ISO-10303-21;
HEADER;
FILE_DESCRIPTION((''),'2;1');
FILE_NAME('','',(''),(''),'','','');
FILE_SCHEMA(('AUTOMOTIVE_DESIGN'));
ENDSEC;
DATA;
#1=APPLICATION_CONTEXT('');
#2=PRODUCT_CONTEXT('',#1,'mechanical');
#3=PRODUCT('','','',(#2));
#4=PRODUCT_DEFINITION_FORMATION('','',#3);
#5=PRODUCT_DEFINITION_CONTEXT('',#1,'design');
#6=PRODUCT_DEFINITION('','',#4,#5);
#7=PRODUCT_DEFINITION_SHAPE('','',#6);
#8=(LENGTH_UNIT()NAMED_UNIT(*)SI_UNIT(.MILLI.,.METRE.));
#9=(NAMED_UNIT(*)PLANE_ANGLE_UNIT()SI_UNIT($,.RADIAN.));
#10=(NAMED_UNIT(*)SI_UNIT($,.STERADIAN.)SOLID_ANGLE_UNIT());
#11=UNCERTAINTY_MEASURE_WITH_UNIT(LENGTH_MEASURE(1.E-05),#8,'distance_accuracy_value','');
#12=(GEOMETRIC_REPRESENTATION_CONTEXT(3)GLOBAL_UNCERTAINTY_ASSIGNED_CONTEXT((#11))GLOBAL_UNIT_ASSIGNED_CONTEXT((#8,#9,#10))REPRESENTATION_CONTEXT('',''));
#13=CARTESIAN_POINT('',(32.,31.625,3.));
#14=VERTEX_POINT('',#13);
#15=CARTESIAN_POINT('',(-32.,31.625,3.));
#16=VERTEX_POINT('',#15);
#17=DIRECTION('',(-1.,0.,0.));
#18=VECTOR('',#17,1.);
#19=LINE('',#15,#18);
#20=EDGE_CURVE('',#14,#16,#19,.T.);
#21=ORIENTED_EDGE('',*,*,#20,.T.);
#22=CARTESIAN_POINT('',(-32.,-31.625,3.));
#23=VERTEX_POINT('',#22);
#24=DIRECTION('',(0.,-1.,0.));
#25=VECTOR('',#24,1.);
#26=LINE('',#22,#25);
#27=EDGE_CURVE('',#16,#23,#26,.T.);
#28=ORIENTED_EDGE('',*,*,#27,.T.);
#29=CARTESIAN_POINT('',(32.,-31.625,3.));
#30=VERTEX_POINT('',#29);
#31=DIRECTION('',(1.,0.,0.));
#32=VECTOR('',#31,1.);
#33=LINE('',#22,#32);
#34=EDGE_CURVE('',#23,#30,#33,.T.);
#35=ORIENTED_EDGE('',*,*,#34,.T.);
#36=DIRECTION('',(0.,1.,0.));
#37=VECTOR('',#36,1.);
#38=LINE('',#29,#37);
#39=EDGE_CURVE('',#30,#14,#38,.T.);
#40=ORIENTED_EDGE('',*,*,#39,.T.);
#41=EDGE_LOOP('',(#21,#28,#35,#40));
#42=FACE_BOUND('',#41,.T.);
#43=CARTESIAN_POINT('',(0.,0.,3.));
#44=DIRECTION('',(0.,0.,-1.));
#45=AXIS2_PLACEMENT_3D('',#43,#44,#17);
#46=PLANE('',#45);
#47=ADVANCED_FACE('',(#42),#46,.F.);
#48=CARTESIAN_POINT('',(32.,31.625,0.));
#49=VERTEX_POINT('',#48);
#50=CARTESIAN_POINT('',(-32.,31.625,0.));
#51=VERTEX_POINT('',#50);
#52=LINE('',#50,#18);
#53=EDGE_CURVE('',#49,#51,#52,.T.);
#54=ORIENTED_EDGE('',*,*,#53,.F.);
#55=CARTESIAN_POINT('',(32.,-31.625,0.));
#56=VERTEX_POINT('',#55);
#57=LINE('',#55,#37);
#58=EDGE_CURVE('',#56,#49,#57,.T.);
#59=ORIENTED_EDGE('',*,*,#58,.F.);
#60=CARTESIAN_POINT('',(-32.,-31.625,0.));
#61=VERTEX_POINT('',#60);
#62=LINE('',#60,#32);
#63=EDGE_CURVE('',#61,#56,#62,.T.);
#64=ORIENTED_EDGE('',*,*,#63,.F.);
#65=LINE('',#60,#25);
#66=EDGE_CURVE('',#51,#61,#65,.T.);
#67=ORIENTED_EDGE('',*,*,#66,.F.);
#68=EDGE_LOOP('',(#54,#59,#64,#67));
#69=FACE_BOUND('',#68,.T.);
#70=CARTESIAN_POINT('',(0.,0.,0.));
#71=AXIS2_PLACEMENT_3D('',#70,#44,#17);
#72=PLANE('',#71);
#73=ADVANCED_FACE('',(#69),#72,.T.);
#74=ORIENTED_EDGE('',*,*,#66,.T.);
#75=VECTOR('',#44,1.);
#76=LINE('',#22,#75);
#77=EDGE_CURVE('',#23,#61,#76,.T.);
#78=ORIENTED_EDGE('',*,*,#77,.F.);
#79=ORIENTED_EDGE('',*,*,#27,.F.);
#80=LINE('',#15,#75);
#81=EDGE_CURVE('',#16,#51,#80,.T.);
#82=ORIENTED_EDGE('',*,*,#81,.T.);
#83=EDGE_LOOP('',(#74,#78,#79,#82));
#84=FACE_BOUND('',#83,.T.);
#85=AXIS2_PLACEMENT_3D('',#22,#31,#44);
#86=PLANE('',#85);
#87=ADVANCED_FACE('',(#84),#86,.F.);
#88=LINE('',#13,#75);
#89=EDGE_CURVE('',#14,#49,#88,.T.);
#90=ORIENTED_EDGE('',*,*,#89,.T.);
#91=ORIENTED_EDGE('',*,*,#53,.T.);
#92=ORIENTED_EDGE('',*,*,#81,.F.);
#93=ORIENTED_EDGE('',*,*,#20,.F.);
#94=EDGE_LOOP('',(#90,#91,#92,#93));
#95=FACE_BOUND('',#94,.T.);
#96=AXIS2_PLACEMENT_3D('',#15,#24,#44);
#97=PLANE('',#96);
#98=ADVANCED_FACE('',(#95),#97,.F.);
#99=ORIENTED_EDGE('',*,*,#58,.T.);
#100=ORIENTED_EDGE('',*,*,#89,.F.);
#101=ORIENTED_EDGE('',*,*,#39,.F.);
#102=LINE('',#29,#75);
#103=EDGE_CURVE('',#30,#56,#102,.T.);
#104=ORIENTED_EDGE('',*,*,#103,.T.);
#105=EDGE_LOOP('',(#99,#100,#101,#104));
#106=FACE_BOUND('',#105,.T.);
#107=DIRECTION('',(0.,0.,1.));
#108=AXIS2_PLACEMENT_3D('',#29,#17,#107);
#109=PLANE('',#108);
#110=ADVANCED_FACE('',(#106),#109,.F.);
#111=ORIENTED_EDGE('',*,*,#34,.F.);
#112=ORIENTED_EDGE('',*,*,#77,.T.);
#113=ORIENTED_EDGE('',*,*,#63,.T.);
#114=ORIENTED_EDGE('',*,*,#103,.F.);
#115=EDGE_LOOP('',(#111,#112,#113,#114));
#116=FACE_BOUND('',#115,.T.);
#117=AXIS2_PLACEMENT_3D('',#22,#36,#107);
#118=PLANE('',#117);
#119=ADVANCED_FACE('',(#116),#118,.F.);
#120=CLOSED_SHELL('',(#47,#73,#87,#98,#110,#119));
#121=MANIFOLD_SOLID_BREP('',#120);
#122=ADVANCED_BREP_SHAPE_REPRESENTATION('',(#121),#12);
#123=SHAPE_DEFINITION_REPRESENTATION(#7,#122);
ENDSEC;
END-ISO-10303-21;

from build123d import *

# Parameters (mm, degrees)
SKETCH1_W           = 64
SKETCH1_H           = 63.25
BOSS_EXTRUDE1_DEPTH = 3


with BuildPart() as part:
    # Sketch1 → Boss-Extrude1 (new body)
    with BuildSketch(Plane.XY):
        Rectangle(SKETCH1_W, SKETCH1_H)
    extrude(amount=BOSS_EXTRUDE1_DEPTH)


solid = part.part
